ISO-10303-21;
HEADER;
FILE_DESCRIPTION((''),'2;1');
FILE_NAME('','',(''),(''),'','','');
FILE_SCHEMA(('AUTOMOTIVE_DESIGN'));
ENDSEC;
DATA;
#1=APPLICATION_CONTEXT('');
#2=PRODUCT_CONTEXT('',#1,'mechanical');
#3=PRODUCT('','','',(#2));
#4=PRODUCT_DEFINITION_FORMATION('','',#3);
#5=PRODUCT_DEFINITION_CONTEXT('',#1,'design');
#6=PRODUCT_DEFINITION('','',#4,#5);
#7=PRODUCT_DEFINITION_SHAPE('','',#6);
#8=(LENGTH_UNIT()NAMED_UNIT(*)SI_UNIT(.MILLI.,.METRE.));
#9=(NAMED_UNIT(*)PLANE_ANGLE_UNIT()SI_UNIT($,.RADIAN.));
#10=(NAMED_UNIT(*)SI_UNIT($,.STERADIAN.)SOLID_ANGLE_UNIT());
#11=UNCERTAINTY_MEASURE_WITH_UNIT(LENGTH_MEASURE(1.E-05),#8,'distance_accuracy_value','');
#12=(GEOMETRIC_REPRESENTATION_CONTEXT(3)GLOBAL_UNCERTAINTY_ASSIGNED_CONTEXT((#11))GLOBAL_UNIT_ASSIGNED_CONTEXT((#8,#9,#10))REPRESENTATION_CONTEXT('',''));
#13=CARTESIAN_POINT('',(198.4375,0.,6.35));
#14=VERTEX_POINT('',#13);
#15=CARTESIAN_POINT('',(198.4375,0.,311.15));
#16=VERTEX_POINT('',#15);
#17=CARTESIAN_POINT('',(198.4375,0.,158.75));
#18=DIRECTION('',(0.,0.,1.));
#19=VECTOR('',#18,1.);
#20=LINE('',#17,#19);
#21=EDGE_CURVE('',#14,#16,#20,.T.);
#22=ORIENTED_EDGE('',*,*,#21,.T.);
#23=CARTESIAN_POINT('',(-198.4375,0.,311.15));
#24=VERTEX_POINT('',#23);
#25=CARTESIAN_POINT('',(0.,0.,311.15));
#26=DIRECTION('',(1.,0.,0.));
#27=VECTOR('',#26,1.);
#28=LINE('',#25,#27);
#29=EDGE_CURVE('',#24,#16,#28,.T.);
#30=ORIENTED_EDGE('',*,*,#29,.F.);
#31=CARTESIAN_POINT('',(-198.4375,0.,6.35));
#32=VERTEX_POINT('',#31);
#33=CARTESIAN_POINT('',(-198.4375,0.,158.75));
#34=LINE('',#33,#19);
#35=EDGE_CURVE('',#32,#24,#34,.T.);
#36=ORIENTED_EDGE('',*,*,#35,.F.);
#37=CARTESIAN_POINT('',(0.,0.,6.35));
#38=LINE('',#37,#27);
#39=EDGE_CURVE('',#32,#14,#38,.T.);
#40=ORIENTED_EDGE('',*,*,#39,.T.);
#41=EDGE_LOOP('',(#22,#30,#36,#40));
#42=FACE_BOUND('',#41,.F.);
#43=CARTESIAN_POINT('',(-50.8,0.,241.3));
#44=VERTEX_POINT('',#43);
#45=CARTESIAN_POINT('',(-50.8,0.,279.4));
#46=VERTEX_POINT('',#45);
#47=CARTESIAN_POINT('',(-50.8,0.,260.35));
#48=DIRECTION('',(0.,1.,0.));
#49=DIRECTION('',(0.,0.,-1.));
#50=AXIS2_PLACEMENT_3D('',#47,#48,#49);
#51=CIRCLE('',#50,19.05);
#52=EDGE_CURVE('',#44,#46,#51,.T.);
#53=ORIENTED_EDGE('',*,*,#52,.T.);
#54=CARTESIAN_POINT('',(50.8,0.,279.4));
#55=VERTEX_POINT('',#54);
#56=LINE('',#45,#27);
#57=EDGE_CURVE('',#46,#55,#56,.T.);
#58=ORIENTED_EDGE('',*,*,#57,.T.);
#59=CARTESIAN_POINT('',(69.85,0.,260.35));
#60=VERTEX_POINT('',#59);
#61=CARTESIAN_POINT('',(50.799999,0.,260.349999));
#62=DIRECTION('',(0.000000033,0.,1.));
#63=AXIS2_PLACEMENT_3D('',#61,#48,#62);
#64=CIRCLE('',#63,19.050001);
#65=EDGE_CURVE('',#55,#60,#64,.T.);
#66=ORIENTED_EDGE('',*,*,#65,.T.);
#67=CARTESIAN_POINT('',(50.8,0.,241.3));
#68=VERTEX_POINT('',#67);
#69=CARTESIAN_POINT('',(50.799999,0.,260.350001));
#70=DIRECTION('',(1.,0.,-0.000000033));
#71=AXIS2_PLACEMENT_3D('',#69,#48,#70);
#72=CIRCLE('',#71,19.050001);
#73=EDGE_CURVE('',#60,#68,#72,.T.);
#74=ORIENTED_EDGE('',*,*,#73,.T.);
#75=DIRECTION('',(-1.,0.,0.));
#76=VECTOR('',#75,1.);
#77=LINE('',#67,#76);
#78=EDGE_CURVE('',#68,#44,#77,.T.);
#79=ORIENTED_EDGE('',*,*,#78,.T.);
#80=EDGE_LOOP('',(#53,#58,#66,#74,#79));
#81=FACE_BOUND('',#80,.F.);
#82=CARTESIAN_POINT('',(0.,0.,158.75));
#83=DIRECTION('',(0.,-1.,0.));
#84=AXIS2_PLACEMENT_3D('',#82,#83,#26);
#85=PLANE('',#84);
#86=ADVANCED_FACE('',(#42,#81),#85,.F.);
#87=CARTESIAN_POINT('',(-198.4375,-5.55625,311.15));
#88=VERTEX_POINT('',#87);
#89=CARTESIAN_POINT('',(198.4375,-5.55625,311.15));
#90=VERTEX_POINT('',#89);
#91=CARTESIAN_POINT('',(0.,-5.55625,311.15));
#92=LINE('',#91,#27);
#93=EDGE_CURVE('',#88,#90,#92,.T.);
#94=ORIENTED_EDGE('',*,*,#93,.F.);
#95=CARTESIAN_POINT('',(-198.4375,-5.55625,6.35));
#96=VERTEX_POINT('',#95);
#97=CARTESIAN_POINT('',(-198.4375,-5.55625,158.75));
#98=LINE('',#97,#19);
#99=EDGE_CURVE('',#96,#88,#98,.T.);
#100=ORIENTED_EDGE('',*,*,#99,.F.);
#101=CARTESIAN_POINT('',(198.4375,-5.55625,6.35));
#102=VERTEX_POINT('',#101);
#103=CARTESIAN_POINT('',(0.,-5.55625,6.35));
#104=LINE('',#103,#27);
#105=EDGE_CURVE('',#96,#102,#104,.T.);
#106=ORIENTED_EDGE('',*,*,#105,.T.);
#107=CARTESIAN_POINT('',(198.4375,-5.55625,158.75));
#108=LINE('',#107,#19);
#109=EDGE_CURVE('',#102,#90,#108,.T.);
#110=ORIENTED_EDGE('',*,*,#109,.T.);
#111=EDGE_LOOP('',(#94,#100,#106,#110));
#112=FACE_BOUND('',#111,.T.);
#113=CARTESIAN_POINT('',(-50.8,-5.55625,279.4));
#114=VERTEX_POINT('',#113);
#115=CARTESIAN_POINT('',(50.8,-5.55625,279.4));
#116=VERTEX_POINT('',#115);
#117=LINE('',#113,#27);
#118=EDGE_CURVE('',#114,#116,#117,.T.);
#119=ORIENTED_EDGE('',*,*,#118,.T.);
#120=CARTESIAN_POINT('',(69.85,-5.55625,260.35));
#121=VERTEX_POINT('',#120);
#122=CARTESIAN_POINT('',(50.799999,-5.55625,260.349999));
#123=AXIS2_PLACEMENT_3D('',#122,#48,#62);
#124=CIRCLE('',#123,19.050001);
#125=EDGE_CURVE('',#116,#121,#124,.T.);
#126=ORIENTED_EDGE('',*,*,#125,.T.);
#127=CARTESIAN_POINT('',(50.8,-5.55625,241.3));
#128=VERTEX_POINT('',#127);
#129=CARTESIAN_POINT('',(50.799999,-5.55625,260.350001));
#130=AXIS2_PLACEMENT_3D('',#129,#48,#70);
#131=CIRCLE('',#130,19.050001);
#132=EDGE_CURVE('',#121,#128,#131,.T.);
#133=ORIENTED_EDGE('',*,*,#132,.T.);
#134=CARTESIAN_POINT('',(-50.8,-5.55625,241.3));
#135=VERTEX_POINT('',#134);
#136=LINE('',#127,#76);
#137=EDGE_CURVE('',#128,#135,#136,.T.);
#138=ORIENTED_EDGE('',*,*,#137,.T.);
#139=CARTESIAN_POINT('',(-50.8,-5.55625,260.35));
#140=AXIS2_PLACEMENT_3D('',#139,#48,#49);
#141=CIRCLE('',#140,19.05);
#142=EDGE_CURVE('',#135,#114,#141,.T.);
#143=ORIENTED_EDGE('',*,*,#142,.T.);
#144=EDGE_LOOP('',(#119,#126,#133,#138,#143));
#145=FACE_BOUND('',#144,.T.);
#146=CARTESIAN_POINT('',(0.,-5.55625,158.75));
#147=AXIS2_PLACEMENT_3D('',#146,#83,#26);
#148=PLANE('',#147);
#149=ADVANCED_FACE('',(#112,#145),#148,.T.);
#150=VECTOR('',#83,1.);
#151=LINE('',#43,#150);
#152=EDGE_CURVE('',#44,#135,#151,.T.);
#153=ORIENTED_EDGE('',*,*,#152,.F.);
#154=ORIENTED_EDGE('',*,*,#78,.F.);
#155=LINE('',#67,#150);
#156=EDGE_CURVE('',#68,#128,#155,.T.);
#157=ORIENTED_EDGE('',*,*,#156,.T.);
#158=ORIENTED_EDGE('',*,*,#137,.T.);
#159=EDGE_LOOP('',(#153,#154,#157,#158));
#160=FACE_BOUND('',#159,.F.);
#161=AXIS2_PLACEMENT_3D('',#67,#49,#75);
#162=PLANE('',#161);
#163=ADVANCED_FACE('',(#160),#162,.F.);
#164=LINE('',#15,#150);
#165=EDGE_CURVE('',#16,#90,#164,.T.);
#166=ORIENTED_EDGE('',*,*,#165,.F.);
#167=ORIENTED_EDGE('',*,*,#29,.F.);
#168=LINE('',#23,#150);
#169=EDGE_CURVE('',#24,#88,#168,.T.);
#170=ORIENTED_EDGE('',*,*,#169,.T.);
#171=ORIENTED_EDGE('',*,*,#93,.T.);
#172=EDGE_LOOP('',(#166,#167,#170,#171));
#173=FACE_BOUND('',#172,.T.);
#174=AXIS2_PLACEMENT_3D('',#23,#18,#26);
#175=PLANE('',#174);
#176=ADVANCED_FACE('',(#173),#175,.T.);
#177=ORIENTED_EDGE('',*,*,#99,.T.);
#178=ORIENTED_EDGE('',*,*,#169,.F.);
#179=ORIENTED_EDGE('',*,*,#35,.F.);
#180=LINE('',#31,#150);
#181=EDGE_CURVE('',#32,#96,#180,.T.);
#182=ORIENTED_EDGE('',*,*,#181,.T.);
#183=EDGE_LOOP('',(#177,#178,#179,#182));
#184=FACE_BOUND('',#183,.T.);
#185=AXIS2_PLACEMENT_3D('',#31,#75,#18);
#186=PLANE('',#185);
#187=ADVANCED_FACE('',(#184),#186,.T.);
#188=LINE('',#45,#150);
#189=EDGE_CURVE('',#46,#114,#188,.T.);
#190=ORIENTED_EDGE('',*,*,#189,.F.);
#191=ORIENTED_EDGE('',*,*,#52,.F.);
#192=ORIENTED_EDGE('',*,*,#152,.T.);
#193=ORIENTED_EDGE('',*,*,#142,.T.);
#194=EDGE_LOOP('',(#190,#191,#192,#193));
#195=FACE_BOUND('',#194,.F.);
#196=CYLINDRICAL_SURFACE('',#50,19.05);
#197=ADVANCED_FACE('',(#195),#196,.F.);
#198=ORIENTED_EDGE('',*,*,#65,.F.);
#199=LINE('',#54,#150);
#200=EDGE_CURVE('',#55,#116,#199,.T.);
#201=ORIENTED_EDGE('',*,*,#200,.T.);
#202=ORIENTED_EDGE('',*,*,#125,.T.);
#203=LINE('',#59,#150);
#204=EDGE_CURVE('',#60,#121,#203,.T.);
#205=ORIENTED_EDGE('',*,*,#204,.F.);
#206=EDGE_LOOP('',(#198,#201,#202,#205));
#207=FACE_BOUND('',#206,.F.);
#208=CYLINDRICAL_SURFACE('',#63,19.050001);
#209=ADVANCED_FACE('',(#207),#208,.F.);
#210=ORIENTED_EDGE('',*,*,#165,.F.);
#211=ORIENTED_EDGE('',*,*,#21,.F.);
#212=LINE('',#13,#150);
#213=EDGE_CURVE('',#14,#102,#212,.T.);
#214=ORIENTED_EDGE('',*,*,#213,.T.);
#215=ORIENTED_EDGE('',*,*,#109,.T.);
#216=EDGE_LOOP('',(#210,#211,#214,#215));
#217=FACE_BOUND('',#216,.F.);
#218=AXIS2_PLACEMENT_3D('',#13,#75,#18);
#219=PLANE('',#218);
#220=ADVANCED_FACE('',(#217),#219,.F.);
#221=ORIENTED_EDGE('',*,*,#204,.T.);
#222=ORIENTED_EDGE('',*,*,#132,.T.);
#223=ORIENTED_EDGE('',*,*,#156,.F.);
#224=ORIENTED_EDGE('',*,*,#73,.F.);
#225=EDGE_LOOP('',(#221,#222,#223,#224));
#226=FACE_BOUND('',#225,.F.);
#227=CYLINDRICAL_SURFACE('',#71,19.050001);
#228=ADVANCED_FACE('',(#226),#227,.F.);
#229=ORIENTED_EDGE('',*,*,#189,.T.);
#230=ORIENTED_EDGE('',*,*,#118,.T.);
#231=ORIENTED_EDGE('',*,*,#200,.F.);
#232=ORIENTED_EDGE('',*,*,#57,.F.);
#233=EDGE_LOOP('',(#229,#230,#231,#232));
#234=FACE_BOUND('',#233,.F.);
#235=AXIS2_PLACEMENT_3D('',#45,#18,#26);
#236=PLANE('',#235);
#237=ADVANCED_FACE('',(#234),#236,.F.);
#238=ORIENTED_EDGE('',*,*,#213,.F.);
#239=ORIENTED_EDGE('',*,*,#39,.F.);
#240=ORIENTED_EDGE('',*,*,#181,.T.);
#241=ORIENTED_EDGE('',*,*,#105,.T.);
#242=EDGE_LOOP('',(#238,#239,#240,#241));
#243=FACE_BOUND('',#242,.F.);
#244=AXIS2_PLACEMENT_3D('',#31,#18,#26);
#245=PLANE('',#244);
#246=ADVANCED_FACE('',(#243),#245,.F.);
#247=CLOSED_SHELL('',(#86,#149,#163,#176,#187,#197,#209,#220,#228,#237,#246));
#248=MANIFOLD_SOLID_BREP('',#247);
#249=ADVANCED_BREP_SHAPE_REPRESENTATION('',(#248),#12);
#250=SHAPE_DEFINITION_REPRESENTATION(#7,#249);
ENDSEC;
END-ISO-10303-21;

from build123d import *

# Parameters (mm, degrees)
F0_W     = 396.875
F0_H     = 304.8
F1_DEPTH = 5.55625


with BuildPart() as f1:
    # F0 (on Front) → F1 (new body)
    with BuildSketch(Plane.XZ):
        with Locations((0, 158.75)):
            Rectangle(F0_W, F0_H)
        with BuildLine():
            ThreePointArc((-50.8, 241.3), (-69.85, 260.35), (-50.8, 279.4))
            Line((-50.8, 279.4), (50.8, 279.4))
            ThreePointArc((50.8, 279.4), (64.270384, 273.820384), (69.85, 260.35))
            ThreePointArc((69.85, 260.35), (64.270384, 246.879616), (50.8, 241.3))
            Line((50.8, 241.3), (-50.8, 241.3))
        make_face(mode=Mode.SUBTRACT)
    extrude(amount=F1_DEPTH)


solid = f1.part
